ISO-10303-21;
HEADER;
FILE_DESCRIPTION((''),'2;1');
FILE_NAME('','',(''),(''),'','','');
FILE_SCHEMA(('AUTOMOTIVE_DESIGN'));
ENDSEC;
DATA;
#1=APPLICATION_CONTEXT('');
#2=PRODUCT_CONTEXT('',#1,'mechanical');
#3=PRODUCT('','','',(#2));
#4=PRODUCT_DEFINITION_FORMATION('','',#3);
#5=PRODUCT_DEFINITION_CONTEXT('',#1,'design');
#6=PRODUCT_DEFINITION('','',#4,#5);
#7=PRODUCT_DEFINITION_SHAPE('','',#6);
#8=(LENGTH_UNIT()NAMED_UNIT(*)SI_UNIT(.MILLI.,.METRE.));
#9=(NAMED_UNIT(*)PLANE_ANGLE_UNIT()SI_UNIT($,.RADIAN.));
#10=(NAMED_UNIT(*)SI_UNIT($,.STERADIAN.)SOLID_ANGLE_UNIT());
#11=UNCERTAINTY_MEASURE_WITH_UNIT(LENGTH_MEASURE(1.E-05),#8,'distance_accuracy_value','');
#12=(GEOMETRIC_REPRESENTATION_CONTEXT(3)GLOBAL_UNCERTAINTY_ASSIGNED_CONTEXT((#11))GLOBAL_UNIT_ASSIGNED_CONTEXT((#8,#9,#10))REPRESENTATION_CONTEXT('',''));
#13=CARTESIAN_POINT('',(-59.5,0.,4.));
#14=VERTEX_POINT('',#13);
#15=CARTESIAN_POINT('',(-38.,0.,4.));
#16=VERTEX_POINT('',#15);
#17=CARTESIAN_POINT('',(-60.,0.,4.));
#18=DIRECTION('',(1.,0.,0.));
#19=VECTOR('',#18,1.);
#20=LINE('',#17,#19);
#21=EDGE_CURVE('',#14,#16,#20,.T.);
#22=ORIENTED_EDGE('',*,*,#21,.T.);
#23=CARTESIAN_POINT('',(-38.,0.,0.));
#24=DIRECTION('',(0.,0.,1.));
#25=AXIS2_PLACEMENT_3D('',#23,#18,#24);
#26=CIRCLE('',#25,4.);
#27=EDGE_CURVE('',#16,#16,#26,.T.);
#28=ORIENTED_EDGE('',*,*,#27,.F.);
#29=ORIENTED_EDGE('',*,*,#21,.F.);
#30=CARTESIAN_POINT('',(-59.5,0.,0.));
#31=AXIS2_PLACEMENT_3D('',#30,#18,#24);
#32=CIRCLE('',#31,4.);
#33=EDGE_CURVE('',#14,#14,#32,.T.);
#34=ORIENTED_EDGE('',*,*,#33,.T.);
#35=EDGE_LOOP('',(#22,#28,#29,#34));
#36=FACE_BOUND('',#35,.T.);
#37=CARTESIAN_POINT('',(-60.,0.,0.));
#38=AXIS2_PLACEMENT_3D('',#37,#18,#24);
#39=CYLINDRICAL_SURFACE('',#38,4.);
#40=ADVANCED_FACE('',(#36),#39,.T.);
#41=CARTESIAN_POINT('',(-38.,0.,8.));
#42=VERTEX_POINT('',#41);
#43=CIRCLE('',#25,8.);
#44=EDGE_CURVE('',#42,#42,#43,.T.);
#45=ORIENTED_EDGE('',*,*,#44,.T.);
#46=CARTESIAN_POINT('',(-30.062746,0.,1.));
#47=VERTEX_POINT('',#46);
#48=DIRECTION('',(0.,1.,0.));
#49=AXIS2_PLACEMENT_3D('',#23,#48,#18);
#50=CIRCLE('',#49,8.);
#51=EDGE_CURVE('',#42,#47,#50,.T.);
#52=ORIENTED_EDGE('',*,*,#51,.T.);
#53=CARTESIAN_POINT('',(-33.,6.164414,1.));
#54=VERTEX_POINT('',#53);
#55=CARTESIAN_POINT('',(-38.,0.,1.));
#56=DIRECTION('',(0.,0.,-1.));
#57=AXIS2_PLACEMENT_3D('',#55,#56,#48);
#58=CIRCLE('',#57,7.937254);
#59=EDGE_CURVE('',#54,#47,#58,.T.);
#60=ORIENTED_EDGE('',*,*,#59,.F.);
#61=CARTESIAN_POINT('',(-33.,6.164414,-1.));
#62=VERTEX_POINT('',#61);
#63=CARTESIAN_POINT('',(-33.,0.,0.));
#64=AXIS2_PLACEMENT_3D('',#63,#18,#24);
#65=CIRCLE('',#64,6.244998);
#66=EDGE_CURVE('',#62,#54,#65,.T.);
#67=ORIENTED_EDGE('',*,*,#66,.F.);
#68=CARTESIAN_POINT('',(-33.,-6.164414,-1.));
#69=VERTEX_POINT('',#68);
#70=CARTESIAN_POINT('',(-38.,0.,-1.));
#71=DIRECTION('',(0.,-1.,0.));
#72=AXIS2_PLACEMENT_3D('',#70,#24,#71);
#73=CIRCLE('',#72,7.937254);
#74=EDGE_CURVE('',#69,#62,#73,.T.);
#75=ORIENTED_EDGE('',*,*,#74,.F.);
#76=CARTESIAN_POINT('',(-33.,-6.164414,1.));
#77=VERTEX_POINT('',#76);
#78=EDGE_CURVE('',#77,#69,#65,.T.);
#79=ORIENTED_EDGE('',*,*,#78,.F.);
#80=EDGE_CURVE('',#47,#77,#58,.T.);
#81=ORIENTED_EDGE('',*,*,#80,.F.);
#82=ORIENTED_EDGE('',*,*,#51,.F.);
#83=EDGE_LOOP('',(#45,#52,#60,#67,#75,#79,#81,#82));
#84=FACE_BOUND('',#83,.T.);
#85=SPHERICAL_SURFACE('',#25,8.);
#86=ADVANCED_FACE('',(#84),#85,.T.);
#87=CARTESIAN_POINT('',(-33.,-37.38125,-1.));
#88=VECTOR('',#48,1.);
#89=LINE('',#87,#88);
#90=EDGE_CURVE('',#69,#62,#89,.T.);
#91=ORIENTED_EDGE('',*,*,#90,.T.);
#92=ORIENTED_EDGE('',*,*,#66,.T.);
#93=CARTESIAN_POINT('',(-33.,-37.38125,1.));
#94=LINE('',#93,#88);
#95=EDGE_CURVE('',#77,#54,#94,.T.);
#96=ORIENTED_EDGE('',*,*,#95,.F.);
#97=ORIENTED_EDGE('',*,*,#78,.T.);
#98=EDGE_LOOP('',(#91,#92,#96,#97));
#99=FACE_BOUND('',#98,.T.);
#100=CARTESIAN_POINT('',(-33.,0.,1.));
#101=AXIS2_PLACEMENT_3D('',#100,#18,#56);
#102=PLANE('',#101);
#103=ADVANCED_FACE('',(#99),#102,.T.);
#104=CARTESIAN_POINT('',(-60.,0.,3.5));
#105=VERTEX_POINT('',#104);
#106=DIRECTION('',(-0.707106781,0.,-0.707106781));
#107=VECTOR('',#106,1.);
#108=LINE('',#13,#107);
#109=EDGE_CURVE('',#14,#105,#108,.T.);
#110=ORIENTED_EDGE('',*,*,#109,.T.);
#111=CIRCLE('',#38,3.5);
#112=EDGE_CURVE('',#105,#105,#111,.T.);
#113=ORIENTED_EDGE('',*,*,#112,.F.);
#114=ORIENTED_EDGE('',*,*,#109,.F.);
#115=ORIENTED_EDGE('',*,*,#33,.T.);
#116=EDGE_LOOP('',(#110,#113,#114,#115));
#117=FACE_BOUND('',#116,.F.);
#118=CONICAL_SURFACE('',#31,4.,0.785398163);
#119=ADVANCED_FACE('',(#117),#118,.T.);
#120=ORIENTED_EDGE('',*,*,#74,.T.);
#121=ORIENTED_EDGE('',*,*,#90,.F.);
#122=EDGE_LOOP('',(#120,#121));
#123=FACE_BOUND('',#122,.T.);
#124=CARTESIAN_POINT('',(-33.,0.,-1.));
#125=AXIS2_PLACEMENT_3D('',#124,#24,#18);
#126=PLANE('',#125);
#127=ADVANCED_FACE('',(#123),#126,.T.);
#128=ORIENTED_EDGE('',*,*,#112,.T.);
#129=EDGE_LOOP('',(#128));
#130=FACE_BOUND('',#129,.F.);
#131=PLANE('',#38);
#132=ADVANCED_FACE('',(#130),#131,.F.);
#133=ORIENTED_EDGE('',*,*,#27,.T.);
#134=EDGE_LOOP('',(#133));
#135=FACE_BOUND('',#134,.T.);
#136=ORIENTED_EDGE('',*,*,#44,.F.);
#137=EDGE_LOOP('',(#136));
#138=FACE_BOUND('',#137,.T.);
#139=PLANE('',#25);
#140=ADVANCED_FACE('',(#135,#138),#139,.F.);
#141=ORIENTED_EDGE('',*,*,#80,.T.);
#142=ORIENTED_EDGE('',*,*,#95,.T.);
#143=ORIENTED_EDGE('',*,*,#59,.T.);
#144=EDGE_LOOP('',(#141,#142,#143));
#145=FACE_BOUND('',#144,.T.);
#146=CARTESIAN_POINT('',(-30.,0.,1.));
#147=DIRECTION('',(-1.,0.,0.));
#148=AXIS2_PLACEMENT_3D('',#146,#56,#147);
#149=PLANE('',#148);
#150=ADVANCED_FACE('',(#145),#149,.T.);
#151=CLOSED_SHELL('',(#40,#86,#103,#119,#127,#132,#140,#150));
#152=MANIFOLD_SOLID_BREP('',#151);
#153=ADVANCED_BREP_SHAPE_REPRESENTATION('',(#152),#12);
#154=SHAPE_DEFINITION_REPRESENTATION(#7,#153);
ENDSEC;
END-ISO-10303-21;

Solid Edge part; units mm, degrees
sketch "Sketch1" plane through (0, 0, 0) normal (0, -1, 0) x (1, 0, 0)
  line L0 (-60, 4) -> (-38, 4)
  line L1 (-38, 4) -> (-38, 8)
  arc A0 (-38, 8) -> (-30, 0) centre (-38, 0) cw
  line L2 (-60, 4) -> (-60, 0)
revolve "RevolvedProtrusion1" add sketch "Sketch1" angle 360 about axis through (-60, 0, 0) along (1, 0, 0)
sketch "Sketch2" plane through (0, 0, 0) normal (0, -1, 0) x (1, 0, 0)
  line L0 (-33, -1) -> (-30, -1)
  line L1 (-30, -1) -> (-30, 1)
  line L2 (-30, 1) -> (-33, 1)
  line L3 (-33, 1) -> (-33, -1)
extrude "Cutout1" cut sketch "Sketch2" along normal mid plane 74.7625
cosmetic_thread "Thread1" size "M8"
chamfer "Chamfer_1" distance 0.5 angle 45 1 edges at (-60, 0, -4)
